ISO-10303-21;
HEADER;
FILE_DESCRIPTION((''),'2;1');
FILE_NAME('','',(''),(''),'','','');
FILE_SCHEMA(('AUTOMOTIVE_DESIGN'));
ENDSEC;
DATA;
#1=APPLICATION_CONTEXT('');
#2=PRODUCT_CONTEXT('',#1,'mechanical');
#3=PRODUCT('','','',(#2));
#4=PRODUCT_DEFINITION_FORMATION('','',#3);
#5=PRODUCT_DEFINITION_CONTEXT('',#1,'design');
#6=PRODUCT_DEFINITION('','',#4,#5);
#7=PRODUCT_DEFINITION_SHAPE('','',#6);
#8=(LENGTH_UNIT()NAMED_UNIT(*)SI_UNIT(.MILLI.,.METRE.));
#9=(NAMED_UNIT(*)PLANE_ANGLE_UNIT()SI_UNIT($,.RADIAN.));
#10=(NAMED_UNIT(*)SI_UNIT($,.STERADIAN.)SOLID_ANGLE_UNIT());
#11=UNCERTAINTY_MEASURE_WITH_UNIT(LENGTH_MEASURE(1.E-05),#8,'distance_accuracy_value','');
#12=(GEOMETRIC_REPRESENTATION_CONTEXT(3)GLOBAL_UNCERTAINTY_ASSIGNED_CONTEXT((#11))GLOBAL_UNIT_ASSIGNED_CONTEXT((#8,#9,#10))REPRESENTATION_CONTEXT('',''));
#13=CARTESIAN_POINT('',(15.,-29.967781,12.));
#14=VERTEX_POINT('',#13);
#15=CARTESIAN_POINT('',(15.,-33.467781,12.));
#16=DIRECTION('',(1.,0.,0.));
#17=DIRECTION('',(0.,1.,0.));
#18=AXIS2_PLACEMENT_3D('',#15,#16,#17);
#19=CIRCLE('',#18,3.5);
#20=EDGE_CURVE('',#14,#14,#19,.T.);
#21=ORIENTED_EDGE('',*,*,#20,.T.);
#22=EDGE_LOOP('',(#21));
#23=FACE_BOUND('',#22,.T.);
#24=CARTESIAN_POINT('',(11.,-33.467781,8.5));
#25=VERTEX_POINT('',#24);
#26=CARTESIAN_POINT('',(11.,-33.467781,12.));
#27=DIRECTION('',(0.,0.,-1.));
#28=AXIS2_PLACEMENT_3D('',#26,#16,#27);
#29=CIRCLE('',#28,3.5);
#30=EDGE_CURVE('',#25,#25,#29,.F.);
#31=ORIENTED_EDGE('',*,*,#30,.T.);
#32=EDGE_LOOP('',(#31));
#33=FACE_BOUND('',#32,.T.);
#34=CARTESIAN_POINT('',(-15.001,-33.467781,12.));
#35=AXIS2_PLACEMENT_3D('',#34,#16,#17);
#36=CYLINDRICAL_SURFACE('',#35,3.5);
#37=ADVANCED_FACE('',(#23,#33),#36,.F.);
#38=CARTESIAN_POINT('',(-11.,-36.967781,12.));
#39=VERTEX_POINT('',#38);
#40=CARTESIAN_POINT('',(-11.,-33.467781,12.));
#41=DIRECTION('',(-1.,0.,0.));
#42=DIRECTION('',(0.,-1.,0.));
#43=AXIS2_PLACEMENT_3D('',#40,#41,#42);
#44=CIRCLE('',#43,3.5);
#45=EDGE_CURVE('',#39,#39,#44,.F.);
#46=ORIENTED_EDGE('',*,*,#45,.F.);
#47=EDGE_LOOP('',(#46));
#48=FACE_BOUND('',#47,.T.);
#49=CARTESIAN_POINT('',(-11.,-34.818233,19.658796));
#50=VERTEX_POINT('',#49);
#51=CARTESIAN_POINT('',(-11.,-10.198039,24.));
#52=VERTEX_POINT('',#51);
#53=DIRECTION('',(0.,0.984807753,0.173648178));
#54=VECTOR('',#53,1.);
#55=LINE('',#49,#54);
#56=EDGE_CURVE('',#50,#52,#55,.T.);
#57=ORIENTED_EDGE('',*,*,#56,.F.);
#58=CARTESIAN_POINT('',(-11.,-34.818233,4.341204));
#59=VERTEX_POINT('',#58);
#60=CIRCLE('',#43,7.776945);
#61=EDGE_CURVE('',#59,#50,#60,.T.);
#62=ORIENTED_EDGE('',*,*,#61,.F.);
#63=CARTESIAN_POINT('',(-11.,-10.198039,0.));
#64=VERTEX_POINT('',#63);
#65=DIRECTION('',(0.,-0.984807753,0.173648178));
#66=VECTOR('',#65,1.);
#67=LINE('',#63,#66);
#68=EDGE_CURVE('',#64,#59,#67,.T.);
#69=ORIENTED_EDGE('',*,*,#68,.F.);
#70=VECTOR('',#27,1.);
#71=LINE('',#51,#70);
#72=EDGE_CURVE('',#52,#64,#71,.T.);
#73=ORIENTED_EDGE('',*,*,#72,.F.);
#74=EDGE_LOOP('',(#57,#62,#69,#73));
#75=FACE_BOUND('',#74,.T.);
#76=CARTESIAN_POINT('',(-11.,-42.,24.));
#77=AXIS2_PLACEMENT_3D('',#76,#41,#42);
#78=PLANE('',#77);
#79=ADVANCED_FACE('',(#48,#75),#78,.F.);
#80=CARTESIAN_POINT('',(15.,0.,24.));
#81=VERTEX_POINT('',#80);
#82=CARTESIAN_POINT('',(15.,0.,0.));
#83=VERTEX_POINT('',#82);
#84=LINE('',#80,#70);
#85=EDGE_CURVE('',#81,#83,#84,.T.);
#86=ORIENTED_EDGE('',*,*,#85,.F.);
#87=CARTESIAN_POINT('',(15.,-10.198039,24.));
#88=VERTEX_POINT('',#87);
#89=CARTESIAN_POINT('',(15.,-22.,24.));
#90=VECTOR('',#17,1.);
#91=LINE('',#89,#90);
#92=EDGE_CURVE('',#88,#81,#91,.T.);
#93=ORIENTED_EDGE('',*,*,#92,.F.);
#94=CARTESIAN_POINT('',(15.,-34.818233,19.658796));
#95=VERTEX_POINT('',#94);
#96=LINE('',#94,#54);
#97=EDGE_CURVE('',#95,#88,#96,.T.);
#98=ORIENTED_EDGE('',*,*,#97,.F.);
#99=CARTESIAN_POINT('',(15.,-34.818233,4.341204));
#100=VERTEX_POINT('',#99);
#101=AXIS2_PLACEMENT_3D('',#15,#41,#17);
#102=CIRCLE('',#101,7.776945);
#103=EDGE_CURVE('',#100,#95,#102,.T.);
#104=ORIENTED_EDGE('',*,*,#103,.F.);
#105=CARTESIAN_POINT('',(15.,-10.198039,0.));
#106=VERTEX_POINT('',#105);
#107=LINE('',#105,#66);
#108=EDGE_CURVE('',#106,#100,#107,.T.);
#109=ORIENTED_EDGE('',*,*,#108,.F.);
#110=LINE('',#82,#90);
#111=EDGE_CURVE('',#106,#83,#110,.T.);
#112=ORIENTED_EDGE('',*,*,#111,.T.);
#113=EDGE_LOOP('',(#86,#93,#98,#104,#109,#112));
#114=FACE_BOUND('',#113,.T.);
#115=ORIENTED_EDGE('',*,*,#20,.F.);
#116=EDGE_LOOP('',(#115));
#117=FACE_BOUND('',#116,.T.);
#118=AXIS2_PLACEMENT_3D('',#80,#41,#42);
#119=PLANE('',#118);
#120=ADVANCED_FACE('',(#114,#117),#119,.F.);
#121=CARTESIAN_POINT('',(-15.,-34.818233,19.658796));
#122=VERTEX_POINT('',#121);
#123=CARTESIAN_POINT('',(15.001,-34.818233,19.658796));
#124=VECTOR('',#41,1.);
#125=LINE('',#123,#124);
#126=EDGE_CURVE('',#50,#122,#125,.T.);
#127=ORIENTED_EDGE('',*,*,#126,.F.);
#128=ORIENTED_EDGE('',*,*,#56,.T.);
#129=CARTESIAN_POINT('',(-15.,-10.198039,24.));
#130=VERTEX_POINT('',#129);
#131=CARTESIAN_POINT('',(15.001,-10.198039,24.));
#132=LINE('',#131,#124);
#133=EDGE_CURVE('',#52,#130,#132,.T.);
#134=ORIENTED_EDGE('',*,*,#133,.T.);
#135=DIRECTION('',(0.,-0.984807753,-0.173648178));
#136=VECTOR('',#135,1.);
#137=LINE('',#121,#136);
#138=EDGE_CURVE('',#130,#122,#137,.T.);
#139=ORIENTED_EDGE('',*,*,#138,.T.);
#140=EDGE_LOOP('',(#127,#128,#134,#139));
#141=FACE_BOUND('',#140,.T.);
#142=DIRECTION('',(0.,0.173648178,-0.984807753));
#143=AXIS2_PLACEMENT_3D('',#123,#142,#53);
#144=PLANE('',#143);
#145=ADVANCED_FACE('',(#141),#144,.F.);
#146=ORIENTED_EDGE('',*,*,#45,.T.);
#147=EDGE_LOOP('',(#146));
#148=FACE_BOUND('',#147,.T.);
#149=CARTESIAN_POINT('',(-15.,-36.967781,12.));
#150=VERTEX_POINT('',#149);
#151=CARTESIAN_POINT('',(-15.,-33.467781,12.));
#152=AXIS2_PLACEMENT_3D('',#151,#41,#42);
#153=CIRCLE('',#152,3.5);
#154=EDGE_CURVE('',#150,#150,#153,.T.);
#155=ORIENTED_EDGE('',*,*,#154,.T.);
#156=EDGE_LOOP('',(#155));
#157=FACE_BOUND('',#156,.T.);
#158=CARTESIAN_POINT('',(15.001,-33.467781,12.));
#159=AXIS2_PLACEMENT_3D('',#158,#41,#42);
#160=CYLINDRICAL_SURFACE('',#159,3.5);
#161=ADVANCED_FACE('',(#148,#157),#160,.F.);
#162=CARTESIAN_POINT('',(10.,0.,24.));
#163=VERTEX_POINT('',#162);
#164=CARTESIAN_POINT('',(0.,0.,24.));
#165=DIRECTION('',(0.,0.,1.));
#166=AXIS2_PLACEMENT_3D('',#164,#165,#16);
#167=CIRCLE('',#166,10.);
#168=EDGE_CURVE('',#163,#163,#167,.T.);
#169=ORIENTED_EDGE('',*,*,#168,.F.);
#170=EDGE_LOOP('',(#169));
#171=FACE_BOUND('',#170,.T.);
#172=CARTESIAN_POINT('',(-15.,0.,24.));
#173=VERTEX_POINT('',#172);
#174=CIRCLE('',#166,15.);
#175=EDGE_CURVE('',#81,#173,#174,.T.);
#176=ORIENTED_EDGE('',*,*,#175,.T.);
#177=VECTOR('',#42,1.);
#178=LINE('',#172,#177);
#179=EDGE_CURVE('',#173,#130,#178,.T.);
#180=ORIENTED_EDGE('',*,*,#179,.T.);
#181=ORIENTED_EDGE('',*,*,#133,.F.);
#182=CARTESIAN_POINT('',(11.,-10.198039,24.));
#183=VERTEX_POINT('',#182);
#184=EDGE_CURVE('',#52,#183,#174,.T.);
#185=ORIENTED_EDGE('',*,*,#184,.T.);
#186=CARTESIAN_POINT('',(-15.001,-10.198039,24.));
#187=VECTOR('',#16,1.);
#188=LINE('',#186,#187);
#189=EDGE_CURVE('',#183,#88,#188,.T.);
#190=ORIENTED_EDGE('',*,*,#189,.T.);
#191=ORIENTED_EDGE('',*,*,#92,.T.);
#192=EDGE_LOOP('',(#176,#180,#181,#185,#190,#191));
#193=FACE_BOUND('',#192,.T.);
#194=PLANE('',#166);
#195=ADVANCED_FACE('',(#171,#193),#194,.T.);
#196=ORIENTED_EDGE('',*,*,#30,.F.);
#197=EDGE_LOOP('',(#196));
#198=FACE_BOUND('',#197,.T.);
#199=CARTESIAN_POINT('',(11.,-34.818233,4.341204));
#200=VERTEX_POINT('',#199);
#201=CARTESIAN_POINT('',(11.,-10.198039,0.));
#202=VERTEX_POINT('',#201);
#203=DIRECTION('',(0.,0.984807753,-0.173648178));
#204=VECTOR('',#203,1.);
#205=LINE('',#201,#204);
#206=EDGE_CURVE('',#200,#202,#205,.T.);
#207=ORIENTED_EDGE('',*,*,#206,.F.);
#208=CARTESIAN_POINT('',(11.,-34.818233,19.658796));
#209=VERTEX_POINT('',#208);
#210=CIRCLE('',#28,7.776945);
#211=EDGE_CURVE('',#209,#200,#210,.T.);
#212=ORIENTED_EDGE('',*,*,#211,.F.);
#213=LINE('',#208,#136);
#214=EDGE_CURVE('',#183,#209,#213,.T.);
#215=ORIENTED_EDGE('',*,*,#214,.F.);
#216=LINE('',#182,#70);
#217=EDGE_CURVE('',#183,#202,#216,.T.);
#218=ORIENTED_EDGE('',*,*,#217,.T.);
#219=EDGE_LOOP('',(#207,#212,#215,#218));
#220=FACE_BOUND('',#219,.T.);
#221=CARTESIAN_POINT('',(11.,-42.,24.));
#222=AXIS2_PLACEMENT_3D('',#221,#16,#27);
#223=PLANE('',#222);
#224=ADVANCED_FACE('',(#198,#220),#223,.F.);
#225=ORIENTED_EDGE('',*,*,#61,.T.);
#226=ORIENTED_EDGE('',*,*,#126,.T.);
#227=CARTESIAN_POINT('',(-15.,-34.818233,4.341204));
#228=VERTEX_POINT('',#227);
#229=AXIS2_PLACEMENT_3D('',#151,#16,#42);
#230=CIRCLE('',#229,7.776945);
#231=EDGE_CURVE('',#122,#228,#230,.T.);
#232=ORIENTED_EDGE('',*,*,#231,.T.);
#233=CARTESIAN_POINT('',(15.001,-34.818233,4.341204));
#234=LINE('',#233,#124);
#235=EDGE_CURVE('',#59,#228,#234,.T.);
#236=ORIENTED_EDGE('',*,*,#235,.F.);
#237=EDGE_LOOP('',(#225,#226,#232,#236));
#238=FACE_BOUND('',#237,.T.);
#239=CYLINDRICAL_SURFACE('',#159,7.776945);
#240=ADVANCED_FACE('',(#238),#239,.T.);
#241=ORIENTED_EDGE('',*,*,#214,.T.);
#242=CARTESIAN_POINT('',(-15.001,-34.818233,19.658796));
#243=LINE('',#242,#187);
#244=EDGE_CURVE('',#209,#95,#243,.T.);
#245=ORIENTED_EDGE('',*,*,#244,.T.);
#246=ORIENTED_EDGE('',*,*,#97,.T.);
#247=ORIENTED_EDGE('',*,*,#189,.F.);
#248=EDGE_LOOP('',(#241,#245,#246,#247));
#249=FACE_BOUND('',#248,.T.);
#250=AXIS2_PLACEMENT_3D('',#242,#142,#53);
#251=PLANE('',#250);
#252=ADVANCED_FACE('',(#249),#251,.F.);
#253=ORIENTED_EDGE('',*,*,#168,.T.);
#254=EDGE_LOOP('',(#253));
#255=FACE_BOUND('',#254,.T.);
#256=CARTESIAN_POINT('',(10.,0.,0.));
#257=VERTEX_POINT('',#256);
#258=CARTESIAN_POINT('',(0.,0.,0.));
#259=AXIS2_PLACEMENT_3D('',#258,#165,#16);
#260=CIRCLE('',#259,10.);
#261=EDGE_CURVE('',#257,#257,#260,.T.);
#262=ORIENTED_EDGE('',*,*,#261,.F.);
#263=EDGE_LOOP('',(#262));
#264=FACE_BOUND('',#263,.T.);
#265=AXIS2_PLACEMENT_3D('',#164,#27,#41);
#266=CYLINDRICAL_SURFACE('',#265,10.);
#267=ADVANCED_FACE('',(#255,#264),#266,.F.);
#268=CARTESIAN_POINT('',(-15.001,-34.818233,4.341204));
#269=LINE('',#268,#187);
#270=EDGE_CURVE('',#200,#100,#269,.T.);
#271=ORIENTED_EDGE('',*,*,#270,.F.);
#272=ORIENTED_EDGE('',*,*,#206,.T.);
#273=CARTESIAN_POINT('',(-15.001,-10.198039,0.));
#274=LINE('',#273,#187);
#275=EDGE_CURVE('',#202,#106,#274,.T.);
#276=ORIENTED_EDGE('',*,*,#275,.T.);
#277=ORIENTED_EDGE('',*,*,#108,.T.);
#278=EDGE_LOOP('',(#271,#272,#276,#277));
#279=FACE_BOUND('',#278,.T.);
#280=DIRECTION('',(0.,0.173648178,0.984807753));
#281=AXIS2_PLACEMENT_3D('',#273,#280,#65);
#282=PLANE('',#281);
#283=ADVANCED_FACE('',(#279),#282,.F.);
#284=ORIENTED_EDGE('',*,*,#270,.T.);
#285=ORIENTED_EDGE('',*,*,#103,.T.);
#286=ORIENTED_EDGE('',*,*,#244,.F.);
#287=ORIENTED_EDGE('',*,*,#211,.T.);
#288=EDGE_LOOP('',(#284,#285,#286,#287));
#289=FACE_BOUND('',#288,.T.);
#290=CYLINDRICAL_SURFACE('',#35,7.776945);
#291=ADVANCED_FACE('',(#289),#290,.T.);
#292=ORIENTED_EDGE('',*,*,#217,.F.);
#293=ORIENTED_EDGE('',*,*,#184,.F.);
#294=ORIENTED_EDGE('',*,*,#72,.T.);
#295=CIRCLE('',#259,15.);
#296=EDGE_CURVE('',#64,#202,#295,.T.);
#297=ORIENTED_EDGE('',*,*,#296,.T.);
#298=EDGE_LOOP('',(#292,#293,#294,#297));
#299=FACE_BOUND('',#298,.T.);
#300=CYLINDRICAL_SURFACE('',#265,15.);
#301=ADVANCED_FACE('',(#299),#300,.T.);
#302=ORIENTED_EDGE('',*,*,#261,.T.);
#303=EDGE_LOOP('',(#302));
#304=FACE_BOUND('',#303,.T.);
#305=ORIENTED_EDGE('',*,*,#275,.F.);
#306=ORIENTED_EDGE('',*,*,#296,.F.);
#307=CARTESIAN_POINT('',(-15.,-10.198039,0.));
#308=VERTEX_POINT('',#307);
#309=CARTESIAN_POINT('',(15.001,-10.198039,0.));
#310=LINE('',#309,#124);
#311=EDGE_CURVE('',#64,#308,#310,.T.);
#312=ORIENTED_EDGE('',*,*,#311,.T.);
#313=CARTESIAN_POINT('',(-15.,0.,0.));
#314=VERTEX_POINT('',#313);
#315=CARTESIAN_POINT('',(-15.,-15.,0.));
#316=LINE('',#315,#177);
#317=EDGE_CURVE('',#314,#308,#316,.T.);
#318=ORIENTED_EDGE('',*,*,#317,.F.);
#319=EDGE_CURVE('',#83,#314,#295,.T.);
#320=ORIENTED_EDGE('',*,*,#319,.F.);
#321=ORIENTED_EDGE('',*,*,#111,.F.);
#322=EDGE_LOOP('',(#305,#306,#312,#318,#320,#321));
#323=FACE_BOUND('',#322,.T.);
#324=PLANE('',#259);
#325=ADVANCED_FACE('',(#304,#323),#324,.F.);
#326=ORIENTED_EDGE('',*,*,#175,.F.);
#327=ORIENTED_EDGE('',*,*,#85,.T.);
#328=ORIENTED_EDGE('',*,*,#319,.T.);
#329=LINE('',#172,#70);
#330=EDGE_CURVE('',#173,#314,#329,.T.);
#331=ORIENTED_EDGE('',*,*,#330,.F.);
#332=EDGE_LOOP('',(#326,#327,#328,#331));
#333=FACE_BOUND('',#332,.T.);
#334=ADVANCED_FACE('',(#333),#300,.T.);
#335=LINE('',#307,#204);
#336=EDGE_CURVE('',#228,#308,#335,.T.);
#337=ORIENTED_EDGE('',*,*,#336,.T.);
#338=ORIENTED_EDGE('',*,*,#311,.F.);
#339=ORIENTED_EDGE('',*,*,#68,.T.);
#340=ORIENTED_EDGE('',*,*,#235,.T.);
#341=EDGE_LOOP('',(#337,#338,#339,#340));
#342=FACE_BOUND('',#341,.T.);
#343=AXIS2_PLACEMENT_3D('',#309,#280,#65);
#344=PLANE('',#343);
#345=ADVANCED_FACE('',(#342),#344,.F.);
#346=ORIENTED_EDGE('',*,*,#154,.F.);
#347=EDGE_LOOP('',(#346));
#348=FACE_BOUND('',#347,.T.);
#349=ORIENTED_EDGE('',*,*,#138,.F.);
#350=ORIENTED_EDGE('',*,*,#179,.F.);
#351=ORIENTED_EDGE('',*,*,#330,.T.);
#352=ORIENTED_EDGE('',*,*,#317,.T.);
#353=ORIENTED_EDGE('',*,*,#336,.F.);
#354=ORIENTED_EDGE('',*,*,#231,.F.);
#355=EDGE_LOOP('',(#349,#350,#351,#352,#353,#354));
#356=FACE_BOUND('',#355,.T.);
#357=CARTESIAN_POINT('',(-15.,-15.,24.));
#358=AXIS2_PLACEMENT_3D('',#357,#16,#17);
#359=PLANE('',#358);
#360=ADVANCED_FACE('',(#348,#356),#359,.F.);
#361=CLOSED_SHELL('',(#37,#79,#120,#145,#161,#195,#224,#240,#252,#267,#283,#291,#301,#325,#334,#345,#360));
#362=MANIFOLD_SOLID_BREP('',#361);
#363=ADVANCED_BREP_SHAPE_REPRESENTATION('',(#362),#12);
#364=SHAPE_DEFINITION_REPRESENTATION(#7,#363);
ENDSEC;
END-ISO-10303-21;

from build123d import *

# Parameters (mm, degrees)
SKETCH2_R           = 10
BOSS_EXTRUDE1_DEPTH = 24
CUT_EXTRUDE1_REACH  = 32
SKETCH3_R           = 3.5
CUT_EXTRUDE2_REACH  = 32
SKETCH4_R           = 3.5


with BuildPart() as part:
    # Sketch2 → Boss-Extrude1 (new body)
    with BuildSketch(Plane.XY):
        with BuildLine():
            Line((-15, 0), (-15, -15))
            Line((-15, -15), (-15, -42))
            Line((-15, -42), (-11, -42))
            Line((-11, -42), (-11, -10.198039027))
            ThreePointArc((-11, -10.198039027), (0, -15), (11, -10.198039027))
            Line((11, -10.198039027), (11, -42))
            Line((11, -42), (15, -42))
            Line((15, -42), (15, -22))
            Line((15, -22), (15, 0))
            ThreePointArc((15, 0), (0, 15), (-15, 0))
        make_face()
        Circle(SKETCH2_R, mode=Mode.SUBTRACT)
    extrude(amount=BOSS_EXTRUDE1_DEPTH)

    # Sketch3 → Cut-Extrude1 (cut, up to next)
    with BuildSketch(Plane.ZY.offset(15), mode=Mode.PRIVATE) as cut_extrude1_sk1:
        with Locations((12, -33.467780556)):
            Circle(SKETCH3_R)
    cut_extrude1_tool1 = extrude(cut_extrude1_sk1.sketch, amount=-CUT_EXTRUDE1_REACH, mode=Mode.PRIVATE) & part.part
    add(cut_extrude1_tool1.solids().sort_by_distance((-15, -33.467781, 12))[0], mode=Mode.SUBTRACT)
    # Sketch3 → Cut-Extrude1 (cut, up to next)
    with BuildSketch(Plane.ZY.offset(15), mode=Mode.PRIVATE) as cut_extrude1_sk2:
        with BuildLine():
            Line((0, -10.198039027), (4.341204442, -34.818232852))
            ThreePointArc((4.341204442, -34.818232852), (12, -41.244725381), (19.658795558, -34.818232852))
            Line((19.658795558, -34.818232852), (24, -10.198039027))
            Line((24, -10.198039027), (24, -42))
            Line((24, -42), (0, -42))
            Line((0, -42), (0, -10.198039027))
        make_face()
    cut_extrude1_tool2 = extrude(cut_extrude1_sk2.sketch, amount=-CUT_EXTRUDE1_REACH, mode=Mode.PRIVATE) & part.part
    add(cut_extrude1_tool2.solids().sort_by_distance((-15, -22.57732, 1.778238))[0], mode=Mode.SUBTRACT)

    # Sketch4 → Cut-Extrude2 (cut, up to next)
    with BuildSketch(Plane(origin=(15, 0, 0), x_dir=(0, 0, -1), z_dir=(1, 0, 0)), mode=Mode.PRIVATE) as cut_extrude2_sk1:
        with Locations((-12, -33.467780556)):
            Circle(SKETCH4_R)
    cut_extrude2_tool1 = extrude(cut_extrude2_sk1.sketch, amount=-CUT_EXTRUDE2_REACH, mode=Mode.PRIVATE) & part.part
    add(cut_extrude2_tool1.solids().sort_by_distance((15, -33.467781, 12))[0], mode=Mode.SUBTRACT)
    # Sketch4 → Cut-Extrude2 (cut, up to next)
    with BuildSketch(Plane(origin=(15, 0, 0), x_dir=(0, 0, -1), z_dir=(1, 0, 0)), mode=Mode.PRIVATE) as cut_extrude2_sk2:
        with BuildLine():
            Line((0, -10.198039027), (-4.341204442, -34.818232852))
            ThreePointArc((-4.341204442, -34.818232852), (-12, -41.244725381), (-19.658795558, -34.818232852))
            Line((-19.658795558, -34.818232852), (-24, -10.198039027))
            Line((-24, -10.198039027), (-24, -42))
            Line((-24, -42), (0, -42))
            Line((0, -42), (0, -10.198039027))
        make_face()
    cut_extrude2_tool2 = extrude(cut_extrude2_sk2.sketch, amount=-CUT_EXTRUDE2_REACH, mode=Mode.PRIVATE) & part.part
    add(cut_extrude2_tool2.solids().sort_by_distance((15, -22.57732, 1.778238))[0], mode=Mode.SUBTRACT)


solid = part.part
